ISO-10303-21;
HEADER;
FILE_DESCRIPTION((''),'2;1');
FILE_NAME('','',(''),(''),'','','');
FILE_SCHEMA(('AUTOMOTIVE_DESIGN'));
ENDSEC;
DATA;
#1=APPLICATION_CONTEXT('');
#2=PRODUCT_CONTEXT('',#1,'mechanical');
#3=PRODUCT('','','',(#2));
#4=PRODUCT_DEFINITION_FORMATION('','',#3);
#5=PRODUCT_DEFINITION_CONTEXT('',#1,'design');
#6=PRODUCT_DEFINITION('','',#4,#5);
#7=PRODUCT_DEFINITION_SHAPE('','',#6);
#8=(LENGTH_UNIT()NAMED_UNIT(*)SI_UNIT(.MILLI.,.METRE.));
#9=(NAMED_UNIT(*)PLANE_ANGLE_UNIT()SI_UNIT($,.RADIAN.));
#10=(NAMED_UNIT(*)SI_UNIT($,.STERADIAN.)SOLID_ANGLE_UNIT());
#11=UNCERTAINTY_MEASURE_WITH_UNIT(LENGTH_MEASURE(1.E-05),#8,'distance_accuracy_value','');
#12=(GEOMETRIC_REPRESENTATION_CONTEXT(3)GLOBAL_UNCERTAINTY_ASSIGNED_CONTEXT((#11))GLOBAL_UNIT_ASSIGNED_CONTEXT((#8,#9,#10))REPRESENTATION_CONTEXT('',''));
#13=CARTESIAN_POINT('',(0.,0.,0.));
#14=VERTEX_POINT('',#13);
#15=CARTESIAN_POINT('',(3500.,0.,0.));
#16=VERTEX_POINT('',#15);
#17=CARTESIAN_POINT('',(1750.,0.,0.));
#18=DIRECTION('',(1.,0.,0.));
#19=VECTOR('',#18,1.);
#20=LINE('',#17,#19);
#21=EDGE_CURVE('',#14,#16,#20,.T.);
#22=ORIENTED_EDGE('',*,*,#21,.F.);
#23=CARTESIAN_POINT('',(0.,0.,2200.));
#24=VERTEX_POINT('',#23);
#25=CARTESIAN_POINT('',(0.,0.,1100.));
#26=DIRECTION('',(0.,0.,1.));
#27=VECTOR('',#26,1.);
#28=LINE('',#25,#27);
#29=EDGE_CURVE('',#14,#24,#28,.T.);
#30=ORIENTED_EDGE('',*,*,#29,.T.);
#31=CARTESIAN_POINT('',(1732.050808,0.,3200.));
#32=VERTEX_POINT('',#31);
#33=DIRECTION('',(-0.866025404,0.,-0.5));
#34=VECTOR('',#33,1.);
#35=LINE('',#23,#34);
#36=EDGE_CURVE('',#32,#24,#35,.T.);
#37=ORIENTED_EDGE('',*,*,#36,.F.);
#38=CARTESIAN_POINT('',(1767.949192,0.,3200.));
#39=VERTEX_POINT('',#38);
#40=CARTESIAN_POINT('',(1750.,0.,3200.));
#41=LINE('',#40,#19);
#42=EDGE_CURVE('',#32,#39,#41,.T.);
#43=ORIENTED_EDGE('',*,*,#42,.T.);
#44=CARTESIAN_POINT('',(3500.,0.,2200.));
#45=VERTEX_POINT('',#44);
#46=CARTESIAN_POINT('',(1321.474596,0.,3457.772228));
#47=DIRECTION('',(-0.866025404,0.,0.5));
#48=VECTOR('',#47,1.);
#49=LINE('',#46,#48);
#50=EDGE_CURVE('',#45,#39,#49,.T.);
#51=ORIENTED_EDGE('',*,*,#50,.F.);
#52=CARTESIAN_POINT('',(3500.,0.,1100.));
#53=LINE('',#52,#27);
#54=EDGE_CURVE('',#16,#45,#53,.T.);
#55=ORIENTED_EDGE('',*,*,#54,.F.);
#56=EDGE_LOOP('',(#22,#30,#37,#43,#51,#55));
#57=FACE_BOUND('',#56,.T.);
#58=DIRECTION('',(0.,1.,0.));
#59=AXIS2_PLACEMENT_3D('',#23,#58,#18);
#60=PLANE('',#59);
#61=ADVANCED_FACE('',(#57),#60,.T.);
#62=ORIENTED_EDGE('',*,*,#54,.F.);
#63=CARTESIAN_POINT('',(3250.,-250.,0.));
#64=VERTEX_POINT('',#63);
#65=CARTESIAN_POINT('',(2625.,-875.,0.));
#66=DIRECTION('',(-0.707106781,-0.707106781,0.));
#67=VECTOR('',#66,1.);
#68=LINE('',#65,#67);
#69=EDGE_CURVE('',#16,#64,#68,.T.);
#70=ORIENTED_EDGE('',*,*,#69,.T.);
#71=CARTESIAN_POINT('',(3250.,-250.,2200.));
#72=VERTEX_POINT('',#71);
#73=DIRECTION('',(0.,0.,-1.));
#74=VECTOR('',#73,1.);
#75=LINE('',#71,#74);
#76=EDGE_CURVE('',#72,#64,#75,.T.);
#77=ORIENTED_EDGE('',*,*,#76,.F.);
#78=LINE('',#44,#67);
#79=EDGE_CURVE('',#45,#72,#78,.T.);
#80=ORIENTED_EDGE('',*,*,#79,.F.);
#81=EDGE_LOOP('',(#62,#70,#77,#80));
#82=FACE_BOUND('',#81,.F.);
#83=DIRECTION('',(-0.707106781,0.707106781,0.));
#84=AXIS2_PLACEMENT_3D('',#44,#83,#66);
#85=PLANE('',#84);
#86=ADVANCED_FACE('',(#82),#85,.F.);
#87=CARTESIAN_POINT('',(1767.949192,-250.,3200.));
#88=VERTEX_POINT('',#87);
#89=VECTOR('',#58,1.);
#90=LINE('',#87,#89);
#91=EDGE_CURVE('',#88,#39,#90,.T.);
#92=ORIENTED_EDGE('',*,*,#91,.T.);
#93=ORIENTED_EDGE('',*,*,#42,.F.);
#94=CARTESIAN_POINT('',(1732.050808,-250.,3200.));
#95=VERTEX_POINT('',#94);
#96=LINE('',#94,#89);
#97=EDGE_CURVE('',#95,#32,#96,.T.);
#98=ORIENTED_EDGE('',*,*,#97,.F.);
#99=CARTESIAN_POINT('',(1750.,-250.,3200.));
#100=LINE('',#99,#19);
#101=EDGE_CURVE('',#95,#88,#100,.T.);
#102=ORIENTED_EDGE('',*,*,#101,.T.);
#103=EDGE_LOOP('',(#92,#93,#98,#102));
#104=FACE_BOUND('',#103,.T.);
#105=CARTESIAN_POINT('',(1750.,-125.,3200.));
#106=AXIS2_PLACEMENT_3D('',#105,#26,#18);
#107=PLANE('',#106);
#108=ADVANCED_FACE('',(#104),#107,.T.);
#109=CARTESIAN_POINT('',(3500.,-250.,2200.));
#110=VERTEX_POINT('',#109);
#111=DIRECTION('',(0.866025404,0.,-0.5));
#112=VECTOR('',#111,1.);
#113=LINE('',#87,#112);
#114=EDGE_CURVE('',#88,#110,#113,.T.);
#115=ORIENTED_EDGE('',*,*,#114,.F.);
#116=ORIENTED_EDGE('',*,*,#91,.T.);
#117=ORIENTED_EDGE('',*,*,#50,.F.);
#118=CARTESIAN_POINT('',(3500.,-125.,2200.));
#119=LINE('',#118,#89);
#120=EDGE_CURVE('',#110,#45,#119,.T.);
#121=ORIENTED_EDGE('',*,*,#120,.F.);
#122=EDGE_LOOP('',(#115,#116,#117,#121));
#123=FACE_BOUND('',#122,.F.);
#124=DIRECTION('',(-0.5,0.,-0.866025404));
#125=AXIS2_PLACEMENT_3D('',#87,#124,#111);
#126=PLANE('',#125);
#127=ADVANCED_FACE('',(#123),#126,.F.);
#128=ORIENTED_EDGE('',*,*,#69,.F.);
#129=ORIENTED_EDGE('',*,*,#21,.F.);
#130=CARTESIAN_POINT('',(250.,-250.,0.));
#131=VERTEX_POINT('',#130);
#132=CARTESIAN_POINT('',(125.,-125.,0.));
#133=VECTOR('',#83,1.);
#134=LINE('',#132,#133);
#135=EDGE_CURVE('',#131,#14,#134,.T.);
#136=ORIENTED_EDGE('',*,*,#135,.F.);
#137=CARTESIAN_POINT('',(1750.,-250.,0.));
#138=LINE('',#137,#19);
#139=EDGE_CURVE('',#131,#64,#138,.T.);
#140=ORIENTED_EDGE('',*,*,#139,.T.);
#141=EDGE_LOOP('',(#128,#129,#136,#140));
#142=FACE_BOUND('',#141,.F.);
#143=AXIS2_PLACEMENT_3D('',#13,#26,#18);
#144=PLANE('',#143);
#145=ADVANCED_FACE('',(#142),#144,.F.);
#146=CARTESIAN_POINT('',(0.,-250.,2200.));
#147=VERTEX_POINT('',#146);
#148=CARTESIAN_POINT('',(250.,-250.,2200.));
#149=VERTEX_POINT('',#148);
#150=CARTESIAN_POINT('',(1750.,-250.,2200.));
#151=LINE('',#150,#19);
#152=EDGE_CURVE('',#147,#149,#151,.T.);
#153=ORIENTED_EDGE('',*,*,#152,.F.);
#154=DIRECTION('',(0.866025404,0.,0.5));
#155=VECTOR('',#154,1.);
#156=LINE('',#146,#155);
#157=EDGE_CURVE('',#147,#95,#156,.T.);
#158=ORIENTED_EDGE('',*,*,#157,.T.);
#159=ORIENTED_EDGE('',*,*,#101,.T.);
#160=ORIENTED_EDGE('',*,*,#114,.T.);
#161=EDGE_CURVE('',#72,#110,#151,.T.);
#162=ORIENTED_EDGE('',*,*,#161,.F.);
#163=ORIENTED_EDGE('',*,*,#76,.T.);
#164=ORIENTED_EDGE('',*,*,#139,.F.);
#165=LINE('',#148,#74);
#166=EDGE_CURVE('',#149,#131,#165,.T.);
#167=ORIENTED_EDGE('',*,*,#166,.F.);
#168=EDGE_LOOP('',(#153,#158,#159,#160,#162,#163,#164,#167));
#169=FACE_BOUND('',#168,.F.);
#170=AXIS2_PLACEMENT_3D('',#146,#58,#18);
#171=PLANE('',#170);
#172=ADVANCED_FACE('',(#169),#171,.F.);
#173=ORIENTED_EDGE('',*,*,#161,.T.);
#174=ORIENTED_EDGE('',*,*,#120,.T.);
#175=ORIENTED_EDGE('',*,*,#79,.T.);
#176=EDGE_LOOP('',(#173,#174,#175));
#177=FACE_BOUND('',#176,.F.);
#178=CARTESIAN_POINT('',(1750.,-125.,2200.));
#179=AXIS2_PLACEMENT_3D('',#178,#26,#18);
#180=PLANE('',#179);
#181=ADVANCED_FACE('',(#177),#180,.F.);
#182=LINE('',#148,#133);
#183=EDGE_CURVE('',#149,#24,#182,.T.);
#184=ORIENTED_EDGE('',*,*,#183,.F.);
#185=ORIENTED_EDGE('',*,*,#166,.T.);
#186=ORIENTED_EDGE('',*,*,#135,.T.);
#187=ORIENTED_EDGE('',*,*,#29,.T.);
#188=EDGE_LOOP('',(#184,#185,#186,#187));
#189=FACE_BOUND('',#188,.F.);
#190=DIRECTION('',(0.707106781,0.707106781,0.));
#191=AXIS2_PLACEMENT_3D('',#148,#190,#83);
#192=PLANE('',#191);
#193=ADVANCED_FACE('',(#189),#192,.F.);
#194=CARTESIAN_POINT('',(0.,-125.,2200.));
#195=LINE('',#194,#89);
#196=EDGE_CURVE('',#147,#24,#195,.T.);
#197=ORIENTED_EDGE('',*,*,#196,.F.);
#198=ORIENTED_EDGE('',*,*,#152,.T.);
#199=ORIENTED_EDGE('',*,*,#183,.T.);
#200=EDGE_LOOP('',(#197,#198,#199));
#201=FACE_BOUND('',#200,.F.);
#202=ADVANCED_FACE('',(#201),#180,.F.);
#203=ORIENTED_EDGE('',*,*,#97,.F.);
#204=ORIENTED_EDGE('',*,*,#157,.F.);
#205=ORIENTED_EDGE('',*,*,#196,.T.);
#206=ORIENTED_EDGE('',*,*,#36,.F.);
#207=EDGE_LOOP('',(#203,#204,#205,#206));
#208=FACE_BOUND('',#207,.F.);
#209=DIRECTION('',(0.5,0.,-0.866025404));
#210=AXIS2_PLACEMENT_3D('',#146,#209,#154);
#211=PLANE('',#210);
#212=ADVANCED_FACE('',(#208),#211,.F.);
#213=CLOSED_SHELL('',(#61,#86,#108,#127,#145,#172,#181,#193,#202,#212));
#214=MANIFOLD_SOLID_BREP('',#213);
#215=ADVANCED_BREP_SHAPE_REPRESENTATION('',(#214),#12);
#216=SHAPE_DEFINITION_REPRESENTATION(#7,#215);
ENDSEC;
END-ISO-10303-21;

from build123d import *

# Parameters (mm, degrees)
F0_W     = 3500
F0_H     = 2200
F1_DEPTH = 250
F3_DEPTH = 2200.001
F4_W     = 3500
F4_H     = 250
F5_DEPTH = 1000
F7_DEPTH = 250.001


with BuildPart() as f1:
    # F0 (on Front) → F1 (new body)
    with BuildSketch(Plane.XZ):
        with Locations((1750, 1100)):
            Rectangle(F0_W, F0_H)
    extrude(amount=F1_DEPTH)

    # F2 (on face) → F3 (cut, through all)
    with BuildSketch(Plane.XY.offset(2200)):
        Polygon((250, -250), (0, 0), (0, -250), align=None)
        Polygon((3250, -250), (3500, -250), (3500, 0), align=None)
    extrude(amount=-F3_DEPTH, mode=Mode.SUBTRACT)

    # F4 (on face) → F5 (join)
    with BuildSketch(Plane.XY.offset(2200)):
        with Locations((1750, -125)):
            Rectangle(F4_W, F4_H)
    extrude(amount=F5_DEPTH)

    # F6 (on face) → F7 (cut, through all)
    with BuildSketch(Plane.XZ.offset(250)):
        Polygon((0, 3200), (0, 2200), (1732.050808, 3200), align=None)
        Polygon((3500, 3200), (1767.949192, 3200), (3500, 2200), align=None)
        Polygon((1750, 3210.362971), (1732.050808, 3200), (1767.949192, 3200), align=None)
    extrude(amount=-F7_DEPTH, mode=Mode.SUBTRACT)


solid = f1.part
